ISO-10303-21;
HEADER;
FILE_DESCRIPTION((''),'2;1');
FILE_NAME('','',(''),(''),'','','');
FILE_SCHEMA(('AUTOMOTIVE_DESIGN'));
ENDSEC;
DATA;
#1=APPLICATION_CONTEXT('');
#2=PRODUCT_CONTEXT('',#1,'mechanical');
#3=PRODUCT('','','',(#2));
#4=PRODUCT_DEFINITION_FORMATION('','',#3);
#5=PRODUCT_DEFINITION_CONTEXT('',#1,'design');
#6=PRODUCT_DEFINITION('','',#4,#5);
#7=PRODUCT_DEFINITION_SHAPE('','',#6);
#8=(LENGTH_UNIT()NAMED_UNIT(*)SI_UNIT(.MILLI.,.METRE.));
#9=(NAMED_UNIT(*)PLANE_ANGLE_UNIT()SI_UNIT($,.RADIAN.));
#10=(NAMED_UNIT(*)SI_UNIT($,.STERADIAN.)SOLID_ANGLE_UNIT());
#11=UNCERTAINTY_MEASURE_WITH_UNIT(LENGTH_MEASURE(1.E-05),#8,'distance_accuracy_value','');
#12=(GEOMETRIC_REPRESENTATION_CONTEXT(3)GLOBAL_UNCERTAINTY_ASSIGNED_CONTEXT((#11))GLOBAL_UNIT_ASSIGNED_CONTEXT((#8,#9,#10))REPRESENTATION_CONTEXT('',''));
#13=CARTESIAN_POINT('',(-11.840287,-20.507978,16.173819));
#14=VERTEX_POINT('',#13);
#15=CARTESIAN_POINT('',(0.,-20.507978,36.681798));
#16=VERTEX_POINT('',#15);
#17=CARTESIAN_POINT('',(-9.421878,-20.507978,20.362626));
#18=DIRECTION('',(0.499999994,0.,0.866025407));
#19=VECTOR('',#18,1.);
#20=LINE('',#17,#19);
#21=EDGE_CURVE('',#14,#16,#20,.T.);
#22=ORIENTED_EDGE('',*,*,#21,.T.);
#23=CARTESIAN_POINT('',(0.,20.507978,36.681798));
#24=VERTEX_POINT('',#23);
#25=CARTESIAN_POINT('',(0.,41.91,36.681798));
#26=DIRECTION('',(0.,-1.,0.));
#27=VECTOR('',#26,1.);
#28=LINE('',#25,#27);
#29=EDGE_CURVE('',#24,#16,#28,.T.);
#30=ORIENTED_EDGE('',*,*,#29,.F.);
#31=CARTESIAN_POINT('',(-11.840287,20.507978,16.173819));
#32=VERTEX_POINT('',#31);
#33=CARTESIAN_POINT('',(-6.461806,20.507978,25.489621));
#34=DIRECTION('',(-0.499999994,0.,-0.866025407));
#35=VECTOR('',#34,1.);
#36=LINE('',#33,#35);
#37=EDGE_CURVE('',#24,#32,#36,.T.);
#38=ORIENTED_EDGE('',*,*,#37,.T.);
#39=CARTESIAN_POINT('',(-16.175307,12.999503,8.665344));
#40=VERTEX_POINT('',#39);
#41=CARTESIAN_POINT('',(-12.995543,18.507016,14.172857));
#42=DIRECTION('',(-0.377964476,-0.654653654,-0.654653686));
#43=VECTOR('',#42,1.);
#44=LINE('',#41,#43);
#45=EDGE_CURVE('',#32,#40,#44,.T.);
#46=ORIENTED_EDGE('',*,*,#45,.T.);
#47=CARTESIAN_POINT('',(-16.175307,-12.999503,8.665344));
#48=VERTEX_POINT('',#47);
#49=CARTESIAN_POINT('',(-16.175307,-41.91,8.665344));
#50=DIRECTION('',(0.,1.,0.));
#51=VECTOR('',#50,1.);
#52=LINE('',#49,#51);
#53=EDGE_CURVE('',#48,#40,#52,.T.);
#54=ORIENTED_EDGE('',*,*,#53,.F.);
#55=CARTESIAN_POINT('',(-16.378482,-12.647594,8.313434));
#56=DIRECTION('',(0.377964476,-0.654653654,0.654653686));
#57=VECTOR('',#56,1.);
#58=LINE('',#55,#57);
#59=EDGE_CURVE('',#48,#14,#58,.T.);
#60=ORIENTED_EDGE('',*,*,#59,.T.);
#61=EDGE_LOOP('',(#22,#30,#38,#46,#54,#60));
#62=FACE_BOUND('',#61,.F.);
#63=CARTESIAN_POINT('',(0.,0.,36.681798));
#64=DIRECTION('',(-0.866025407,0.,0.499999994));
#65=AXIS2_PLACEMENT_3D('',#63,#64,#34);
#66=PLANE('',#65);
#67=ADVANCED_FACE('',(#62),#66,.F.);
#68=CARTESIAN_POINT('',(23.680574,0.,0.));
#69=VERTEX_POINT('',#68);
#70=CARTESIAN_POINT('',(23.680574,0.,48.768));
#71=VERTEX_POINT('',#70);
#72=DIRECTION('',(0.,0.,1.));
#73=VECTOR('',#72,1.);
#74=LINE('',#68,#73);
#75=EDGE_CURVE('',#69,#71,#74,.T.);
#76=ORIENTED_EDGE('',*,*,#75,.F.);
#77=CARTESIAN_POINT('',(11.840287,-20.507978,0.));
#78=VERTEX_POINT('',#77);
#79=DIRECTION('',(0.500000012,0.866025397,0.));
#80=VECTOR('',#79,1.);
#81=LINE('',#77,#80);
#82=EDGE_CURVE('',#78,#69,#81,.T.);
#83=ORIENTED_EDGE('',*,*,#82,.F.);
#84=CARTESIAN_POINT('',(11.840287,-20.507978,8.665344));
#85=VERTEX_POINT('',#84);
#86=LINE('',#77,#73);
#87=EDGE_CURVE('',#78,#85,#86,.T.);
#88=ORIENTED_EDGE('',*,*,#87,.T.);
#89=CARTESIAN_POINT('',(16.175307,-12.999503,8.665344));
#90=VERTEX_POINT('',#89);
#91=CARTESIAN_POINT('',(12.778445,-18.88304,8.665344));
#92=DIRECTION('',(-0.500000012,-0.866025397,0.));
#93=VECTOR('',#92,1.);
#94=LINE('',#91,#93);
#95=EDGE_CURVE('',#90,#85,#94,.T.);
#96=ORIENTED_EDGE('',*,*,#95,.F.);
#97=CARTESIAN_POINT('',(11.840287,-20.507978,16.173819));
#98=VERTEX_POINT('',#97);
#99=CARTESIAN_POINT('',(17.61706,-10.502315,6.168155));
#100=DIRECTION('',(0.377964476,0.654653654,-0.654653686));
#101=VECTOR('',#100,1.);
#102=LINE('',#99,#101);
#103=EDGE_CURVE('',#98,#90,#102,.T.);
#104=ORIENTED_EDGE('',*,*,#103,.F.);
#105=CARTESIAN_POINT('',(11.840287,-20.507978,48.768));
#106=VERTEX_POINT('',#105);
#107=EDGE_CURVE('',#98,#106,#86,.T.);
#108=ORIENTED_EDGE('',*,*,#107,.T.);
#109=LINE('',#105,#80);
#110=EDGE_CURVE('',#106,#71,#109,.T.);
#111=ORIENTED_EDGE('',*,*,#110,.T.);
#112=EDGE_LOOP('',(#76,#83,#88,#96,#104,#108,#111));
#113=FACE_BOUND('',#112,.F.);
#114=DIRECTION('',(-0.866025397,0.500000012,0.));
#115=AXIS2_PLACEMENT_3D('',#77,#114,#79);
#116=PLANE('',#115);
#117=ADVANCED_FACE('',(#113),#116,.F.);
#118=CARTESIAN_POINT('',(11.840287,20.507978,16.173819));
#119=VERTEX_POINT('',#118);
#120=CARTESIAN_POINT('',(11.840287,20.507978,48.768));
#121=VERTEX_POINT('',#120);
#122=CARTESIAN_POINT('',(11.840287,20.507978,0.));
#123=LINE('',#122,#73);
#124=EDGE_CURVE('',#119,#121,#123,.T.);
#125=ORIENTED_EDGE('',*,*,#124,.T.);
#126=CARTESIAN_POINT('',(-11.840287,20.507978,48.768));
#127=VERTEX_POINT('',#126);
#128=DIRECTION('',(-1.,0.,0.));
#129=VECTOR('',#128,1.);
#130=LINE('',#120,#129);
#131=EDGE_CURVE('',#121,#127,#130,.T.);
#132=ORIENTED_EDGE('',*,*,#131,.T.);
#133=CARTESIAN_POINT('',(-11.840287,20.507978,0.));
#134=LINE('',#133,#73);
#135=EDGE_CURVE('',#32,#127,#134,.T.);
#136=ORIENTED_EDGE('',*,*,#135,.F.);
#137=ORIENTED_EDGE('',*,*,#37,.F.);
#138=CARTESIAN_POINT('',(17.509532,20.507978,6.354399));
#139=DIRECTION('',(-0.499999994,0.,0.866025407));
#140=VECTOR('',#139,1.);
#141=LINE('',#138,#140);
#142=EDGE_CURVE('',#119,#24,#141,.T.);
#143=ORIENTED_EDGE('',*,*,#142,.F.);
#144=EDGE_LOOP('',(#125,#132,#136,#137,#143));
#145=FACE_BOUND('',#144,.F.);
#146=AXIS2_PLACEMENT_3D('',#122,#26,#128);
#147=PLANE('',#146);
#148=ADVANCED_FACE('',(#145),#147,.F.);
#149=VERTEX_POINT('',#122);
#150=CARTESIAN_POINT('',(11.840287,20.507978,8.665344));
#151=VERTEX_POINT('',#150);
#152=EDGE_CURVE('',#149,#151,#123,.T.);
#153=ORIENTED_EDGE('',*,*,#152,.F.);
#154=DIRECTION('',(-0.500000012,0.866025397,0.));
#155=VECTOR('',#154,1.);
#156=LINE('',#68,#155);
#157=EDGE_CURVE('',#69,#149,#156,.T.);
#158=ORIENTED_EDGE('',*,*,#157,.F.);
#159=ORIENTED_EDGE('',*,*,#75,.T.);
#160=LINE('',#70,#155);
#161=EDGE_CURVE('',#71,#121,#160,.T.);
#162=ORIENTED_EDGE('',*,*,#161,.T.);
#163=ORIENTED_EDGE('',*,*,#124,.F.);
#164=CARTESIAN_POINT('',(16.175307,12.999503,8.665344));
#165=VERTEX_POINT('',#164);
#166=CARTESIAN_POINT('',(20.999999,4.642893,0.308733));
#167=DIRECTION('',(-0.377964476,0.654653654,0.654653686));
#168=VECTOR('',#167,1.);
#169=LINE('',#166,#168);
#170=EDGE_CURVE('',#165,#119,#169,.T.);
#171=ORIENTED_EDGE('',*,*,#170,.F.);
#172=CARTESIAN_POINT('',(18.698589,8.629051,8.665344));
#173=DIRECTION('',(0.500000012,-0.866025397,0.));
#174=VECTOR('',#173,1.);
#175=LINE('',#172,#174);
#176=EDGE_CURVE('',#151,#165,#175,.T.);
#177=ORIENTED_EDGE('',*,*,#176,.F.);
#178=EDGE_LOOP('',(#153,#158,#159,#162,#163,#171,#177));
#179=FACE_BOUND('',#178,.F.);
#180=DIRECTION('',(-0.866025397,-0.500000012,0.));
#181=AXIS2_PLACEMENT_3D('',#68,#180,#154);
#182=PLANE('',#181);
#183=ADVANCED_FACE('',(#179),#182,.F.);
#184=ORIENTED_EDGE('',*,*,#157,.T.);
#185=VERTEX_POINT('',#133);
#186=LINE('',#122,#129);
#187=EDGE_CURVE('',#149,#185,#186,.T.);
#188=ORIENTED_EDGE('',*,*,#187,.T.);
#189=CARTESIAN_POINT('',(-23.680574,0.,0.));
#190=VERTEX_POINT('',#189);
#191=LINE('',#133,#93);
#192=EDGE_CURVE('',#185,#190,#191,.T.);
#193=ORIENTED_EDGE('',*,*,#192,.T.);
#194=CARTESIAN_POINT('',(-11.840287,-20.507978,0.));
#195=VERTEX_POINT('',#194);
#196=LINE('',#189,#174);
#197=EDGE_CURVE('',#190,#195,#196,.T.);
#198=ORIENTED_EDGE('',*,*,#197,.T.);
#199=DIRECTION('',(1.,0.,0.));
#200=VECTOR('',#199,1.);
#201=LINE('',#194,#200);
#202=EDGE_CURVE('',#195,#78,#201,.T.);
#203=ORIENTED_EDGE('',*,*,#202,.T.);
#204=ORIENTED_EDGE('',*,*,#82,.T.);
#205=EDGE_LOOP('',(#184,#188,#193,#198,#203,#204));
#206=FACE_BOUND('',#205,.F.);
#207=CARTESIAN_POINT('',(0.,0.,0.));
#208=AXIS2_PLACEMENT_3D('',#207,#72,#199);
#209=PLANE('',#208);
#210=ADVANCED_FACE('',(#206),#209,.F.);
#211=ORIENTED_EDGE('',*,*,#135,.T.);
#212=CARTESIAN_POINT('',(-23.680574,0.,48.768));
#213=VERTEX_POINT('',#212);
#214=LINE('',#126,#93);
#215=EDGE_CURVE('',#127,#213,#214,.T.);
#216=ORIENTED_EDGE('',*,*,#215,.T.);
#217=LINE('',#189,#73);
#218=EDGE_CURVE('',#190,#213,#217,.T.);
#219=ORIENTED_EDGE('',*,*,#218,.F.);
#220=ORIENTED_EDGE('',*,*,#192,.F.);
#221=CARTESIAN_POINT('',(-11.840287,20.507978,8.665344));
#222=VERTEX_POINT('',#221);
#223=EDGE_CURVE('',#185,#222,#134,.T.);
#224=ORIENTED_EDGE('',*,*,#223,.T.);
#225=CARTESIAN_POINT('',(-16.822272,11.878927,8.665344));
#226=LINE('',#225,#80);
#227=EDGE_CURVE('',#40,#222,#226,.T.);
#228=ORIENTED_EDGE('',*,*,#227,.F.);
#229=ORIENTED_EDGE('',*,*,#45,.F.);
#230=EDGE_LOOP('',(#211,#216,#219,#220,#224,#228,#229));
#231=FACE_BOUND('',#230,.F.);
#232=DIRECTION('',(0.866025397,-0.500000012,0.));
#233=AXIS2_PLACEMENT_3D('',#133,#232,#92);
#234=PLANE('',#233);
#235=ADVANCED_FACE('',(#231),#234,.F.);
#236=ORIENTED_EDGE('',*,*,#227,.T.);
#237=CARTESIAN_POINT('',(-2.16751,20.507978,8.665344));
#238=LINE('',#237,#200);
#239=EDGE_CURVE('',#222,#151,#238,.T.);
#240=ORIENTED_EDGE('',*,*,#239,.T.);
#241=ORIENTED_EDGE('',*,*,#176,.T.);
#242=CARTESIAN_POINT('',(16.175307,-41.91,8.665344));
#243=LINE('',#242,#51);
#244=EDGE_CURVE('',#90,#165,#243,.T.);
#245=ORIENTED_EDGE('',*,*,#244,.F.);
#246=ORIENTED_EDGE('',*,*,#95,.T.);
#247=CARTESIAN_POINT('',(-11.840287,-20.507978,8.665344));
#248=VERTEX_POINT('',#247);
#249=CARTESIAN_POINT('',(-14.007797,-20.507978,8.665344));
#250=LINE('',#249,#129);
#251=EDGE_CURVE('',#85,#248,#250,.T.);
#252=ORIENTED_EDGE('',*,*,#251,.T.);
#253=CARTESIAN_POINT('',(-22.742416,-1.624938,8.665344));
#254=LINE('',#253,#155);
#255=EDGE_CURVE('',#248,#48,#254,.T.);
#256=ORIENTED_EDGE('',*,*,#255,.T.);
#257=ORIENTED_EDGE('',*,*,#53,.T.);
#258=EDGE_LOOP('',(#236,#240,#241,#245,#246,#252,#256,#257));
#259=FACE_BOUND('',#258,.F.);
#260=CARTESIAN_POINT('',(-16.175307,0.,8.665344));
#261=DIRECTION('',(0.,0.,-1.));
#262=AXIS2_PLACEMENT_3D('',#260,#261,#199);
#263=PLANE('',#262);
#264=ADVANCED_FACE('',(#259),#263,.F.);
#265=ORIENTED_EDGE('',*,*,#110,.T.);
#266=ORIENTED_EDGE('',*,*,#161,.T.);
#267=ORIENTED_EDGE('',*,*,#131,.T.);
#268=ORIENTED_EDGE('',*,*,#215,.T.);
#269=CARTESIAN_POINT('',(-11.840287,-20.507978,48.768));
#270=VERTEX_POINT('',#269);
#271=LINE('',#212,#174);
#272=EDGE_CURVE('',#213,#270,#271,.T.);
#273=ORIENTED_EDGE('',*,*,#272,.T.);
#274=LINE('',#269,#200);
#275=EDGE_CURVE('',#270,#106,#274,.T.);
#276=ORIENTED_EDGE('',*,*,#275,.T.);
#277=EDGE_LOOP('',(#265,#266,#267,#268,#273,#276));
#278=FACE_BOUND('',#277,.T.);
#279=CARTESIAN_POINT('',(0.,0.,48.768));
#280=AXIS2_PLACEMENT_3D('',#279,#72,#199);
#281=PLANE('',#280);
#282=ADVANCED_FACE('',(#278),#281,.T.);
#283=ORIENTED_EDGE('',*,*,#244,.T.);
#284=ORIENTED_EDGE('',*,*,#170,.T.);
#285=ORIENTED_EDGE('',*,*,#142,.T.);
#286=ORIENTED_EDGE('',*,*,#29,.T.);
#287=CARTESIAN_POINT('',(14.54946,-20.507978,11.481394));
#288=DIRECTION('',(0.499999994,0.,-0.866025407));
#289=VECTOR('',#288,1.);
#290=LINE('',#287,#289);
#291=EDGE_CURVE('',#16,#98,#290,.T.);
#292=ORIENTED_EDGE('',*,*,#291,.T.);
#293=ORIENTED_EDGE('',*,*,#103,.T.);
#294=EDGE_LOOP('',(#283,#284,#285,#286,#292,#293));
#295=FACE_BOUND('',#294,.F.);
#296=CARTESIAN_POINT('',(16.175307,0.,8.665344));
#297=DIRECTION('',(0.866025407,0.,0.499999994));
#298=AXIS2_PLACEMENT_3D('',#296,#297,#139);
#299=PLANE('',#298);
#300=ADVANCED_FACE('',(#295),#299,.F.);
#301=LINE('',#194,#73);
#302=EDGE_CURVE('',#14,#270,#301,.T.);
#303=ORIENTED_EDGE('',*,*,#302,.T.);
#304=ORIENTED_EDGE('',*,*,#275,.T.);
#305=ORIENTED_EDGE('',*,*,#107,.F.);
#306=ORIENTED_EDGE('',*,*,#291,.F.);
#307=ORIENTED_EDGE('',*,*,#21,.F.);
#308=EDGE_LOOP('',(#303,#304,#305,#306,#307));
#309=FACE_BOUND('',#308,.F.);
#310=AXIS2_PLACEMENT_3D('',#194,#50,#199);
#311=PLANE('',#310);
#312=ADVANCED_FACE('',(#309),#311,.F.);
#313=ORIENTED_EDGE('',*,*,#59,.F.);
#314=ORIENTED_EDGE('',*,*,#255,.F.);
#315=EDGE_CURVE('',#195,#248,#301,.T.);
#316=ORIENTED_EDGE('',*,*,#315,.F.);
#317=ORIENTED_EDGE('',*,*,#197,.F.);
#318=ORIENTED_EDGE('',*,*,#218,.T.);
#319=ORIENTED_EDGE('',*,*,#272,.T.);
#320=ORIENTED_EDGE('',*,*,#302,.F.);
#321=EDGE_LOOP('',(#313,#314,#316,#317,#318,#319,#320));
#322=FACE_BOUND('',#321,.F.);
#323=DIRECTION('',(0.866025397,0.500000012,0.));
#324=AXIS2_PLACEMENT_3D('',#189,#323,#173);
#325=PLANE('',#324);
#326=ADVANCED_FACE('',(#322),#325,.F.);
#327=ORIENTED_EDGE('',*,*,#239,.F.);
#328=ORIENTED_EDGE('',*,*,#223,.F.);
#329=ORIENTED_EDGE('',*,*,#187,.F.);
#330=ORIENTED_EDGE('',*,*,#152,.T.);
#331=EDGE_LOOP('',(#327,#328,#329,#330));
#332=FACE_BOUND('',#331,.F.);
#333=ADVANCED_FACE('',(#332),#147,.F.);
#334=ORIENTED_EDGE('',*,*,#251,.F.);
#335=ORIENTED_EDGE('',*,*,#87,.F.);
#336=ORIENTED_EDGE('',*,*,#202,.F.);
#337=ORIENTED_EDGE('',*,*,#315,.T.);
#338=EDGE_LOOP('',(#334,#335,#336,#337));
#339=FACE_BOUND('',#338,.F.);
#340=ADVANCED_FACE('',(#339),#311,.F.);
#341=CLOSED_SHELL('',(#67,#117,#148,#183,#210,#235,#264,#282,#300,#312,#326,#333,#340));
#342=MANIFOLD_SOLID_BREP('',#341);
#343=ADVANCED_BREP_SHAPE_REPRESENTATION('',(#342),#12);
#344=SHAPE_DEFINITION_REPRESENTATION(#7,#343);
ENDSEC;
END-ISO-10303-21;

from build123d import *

# Parameters (mm, degrees)
F1_DEPTH = 48.768
F3_DEPTH = 41.91


with BuildPart() as f1:
    # F0 (on Top) → F1 (new body)
    with BuildSketch(Plane.XY):
        Polygon((11.840287, 20.507978), (-11.840287, 20.507978), (-23.680574, 0), (-11.840287, -20.507978), (11.840287, -20.507978), (23.680574, 0), align=None)
    extrude(amount=F1_DEPTH)

    # F2 (on Front) → F3 (cut, symmetric)
    with BuildSketch(Plane.XZ):
        Polygon((16.175307, 8.665344), (0, 36.681798), (-16.175307, 8.665344), align=None)
    extrude(amount=F3_DEPTH, both=True, mode=Mode.SUBTRACT)


solid = f1.part
